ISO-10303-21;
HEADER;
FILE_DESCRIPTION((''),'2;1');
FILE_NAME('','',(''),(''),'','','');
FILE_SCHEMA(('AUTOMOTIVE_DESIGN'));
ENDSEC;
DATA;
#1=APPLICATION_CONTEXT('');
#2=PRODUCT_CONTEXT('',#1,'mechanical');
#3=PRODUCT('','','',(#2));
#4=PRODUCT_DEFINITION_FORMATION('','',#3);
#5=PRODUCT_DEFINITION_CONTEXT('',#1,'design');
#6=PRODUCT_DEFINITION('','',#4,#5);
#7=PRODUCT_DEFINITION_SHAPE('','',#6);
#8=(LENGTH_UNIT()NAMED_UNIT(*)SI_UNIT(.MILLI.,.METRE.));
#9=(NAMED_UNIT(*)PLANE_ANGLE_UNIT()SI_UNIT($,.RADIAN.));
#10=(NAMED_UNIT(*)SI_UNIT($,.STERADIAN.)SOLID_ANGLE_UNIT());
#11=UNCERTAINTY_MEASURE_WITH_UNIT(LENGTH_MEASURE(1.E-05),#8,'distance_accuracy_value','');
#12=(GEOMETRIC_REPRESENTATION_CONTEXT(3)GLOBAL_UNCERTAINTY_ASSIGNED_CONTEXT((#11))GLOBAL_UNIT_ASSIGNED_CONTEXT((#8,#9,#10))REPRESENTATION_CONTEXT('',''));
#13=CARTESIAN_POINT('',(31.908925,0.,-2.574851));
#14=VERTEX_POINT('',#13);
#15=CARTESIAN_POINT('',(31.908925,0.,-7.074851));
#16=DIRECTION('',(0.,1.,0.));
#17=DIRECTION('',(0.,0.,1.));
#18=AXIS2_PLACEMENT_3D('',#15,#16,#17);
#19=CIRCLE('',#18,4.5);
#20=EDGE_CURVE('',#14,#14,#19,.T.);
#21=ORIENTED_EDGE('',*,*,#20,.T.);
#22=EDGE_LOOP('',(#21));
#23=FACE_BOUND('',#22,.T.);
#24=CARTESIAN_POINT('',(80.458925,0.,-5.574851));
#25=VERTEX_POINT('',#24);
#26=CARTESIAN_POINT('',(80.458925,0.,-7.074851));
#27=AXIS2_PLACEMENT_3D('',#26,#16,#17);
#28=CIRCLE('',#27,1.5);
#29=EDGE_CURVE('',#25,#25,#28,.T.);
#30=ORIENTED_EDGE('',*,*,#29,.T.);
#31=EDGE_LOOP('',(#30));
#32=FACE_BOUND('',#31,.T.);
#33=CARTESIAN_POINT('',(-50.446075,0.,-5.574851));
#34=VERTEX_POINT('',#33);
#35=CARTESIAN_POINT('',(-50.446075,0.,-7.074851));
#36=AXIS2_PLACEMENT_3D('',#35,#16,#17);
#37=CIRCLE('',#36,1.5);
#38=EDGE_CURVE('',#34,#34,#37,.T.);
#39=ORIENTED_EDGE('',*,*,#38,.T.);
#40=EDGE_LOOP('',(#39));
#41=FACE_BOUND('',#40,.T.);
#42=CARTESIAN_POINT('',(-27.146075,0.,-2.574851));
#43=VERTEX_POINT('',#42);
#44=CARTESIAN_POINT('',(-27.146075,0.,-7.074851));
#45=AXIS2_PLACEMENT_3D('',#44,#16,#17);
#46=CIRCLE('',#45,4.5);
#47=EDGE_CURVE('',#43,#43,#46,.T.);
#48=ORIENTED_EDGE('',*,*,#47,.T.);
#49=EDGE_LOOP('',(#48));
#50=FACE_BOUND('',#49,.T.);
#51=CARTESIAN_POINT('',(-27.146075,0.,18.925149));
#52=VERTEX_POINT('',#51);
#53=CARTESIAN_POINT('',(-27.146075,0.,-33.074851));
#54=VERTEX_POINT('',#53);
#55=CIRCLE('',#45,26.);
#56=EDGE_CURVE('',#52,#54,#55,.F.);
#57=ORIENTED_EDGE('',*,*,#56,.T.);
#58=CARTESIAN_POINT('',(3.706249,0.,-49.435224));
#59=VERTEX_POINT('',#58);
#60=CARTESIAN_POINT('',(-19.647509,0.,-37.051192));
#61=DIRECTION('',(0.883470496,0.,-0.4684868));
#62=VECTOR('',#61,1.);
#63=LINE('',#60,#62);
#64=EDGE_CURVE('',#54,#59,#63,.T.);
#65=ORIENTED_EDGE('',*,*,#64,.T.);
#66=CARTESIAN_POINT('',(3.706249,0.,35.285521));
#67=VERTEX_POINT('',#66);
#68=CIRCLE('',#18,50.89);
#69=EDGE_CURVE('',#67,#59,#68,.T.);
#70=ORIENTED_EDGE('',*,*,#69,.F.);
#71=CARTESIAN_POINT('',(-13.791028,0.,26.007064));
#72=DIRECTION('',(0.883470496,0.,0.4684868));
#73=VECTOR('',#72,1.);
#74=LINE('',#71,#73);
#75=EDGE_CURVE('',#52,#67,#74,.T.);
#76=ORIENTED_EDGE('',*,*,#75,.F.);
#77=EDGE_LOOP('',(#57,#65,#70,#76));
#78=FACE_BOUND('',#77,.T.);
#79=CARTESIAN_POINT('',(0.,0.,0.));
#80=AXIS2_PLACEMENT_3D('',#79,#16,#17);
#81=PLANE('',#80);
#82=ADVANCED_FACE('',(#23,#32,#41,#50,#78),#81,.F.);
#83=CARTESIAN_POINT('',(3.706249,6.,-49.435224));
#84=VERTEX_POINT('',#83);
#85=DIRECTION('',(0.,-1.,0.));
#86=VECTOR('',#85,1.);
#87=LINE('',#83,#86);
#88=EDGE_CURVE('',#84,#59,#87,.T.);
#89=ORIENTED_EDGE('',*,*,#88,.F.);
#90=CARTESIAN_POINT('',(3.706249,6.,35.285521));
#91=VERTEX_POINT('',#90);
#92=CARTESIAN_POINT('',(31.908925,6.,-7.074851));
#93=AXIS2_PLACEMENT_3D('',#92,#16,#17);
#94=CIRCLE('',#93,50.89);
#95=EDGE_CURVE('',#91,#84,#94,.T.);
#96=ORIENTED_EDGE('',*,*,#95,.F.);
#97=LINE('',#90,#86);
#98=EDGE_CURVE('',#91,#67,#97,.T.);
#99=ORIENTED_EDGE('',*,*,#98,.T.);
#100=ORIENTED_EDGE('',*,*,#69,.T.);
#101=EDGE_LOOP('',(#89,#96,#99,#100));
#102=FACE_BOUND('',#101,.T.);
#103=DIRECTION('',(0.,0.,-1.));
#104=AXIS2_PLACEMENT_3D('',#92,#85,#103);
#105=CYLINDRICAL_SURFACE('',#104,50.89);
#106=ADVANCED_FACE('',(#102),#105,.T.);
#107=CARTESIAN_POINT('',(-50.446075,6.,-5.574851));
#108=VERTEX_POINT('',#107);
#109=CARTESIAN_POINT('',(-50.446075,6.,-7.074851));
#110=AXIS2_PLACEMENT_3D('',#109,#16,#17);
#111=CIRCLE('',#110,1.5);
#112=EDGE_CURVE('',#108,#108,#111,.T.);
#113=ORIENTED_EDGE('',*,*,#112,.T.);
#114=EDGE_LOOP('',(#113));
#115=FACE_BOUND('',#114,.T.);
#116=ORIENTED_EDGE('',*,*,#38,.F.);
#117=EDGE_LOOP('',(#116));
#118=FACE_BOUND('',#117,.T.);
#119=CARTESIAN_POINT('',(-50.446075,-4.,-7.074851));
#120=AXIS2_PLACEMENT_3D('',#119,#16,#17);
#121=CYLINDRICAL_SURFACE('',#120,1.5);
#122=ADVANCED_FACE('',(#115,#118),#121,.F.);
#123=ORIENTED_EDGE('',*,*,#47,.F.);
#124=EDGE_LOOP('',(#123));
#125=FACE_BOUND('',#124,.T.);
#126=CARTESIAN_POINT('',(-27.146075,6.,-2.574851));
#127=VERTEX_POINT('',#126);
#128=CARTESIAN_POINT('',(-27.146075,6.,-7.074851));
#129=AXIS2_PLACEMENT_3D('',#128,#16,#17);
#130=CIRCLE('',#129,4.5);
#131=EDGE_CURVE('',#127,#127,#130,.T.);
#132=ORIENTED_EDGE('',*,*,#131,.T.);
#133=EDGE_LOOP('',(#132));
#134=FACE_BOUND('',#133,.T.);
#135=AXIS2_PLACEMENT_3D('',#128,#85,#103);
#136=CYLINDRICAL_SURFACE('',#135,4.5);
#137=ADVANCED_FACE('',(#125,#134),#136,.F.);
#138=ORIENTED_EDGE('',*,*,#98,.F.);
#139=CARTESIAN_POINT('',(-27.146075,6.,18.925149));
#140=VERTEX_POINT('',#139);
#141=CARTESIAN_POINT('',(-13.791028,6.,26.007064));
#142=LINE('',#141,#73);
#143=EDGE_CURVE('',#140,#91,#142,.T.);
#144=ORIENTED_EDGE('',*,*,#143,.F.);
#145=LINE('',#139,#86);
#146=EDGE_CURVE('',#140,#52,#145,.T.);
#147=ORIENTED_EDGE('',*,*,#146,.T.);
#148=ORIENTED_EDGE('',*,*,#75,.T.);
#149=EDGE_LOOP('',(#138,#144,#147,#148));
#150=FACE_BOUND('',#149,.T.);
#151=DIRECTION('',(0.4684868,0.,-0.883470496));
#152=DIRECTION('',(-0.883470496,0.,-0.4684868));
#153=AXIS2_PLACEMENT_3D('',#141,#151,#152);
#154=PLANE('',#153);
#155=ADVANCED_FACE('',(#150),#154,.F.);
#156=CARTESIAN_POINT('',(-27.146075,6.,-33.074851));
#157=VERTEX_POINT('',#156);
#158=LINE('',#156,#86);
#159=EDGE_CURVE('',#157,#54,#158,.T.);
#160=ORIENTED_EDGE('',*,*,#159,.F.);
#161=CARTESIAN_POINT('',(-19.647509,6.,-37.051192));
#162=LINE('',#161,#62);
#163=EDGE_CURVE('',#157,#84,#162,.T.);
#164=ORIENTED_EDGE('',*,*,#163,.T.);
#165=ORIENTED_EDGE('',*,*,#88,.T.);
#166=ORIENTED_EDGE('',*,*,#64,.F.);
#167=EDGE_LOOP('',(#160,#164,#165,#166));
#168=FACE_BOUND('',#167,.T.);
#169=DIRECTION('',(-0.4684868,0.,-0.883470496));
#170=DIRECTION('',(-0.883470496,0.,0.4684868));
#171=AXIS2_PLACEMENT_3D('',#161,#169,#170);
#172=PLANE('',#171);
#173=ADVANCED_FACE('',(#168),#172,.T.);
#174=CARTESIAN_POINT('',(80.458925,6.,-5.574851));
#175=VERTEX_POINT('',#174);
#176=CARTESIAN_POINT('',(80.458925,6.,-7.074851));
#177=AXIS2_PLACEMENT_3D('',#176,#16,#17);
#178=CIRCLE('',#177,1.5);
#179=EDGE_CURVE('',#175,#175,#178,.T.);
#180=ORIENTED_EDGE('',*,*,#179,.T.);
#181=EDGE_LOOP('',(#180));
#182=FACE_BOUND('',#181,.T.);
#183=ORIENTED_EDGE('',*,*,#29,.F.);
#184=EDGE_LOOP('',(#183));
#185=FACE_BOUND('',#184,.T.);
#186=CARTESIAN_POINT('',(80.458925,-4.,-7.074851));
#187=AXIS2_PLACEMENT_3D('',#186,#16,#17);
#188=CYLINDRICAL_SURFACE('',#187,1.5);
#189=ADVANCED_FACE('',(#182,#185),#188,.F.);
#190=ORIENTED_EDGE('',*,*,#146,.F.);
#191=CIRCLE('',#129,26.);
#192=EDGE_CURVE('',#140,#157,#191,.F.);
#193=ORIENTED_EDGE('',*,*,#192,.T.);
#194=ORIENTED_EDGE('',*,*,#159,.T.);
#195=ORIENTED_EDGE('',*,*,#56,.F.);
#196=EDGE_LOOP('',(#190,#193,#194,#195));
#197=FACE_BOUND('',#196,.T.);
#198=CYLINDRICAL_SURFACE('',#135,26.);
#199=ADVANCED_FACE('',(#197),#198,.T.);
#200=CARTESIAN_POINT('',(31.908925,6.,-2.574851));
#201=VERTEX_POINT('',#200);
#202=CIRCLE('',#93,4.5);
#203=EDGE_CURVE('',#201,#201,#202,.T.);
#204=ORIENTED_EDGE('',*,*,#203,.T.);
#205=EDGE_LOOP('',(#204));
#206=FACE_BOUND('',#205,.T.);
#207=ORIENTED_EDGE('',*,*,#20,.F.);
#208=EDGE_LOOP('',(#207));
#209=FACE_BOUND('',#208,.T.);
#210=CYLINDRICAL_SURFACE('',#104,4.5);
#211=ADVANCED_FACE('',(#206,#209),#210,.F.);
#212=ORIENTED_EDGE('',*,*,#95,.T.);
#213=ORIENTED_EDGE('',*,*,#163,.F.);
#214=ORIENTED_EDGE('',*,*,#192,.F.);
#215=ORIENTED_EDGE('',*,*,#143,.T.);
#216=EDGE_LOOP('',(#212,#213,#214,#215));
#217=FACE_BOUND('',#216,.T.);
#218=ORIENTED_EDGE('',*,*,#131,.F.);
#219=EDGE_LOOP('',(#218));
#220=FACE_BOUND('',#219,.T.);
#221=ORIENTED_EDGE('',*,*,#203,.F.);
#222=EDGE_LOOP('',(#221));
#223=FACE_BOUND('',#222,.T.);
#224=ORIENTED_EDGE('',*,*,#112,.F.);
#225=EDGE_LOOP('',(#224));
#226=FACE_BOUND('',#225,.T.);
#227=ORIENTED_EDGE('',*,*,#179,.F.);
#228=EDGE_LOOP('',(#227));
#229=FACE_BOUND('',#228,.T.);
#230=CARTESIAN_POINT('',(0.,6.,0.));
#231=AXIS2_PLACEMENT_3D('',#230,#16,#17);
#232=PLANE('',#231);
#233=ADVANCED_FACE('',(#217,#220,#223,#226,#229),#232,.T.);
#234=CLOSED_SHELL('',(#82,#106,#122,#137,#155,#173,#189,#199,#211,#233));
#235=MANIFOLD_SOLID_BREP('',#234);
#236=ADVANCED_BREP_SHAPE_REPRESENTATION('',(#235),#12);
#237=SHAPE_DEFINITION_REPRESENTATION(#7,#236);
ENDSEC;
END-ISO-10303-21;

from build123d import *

# Parameters (mm, degrees)
SKETCH1_R           = 4.5
SKETCH1_R_2         = 44.53
BOSS_EXTRUDE1_DEPTH = 6
SKETCH2_R           = 1.5
CUT_EXTRUDE1_DEPTH  = 10


with BuildPart() as part:
    # Sketch1 → Boss-Extrude1 (new body)
    # profile 1 of 7: a face of its own
    with BuildSketch(Plane(origin=(0, 0, 0), x_dir=(1, 0, 0), z_dir=(0, 1, 0))):
        with BuildLine():
            Line((3.706249193, 49.435224426), (-27.146075319, 33.07485149))
            ThreePointArc((-27.146075319, 33.07485149), (-53.146075319, 7.07485149), (-27.146075319, -18.92514851))
            Line((-27.146075319, -18.92514851), (3.706249193, -35.285521446))
            ThreePointArc((3.706249193, -35.285521446), (-4.027102695, -28.958383674), (-10.375107984, -21.242151909))
            Line((-10.375107984, -21.242151909), (-27.146075319, -13.92514851))
            ThreePointArc((-27.146075319, -13.92514851), (-48.146075319, 7.07485149), (-27.146075319, 28.07485149))
            Line((-27.146075319, 28.07485149), (-9.910194417, 36.074047649))
            ThreePointArc((-9.910194417, 36.074047649), (-3.73365085, 43.398382562), (3.706249193, 49.435224426))
        make_face()
    # profile 2 of 7: a face of its own
    with BuildSketch(Plane(origin=(0, 0, 0), x_dir=(1, 0, 0), z_dir=(0, 1, 0))):
        with BuildLine():
            ThreePointArc((-10.375107984, -21.242151909), (-18.97940126, 7.487626122), (-9.910194417, 36.074047649))
            Line((-9.910194417, 36.074047649), (-27.146075319, 28.07485149))
            ThreePointArc((-27.146075319, 28.07485149), (-48.146075319, 7.07485149), (-27.146075319, -13.92514851))
            Line((-27.146075319, -13.92514851), (-10.375107984, -21.242151909))
        make_face()
        with Locations(Location((-27.146075319, 7.07485149, 0), (0, 0, 270))):
            Circle(SKETCH1_R, mode=Mode.SUBTRACT)
    # profile 3 of 7: a face of its own
    with BuildSketch(Plane(origin=(0, 0, 0), x_dir=(1, 0, 0), z_dir=(0, 1, 0))):
        with BuildLine():
            ThreePointArc((82.798924681, 7.07485149), (55.935555161, 51.935893919), (3.706249193, 49.435224426))
            ThreePointArc((3.706249193, 49.435224426), (-3.73365085, 43.398382562), (-9.910194417, 36.074047649))
            Line((-9.910194417, 36.074047649), (6.70287652, 43.784196842))
            ThreePointArc((6.70287652, 43.784196842), (52.651339866, 46.478824796), (76.438924681, 7.07485149))
            ThreePointArc((76.438924681, 7.07485149), (50.975331795, -33.166831126), (3.706249193, -27.385705604))
            Line((3.706249193, -27.385705604), (-10.375107984, -21.242151909))
            ThreePointArc((-10.375107984, -21.242151909), (-4.027102695, -28.958383674), (3.706249193, -35.285521446))
            ThreePointArc((3.706249193, -35.285521446), (55.935555161, -37.786190939), (82.798924681, 7.07485149))
        make_face()
    # profile 4 of 7: a face of its own
    with BuildSketch(Plane(origin=(0, 0, 0), x_dir=(1, 0, 0), z_dir=(0, 1, 0))):
        with BuildLine():
            Line((6.70287652, 43.784196842), (-9.910194417, 36.074047649))
            ThreePointArc((-9.910194417, 36.074047649), (-18.97940126, 7.487626122), (-10.375107984, -21.242151909))
            Line((-10.375107984, -21.242151909), (3.706249193, -27.385705604))
            ThreePointArc((3.706249193, -27.385705604), (-12.581655153, 8.948138973), (6.70287652, 43.784196842))
        make_face()
    # profile 5 of 7: a face of its own
    with BuildSketch(Plane(origin=(0, 0, 0), x_dir=(1, 0, 0), z_dir=(0, 1, 0))):
        with BuildLine():
            ThreePointArc((82.798924681, 7.07485149), (55.935555161, 51.935893919), (3.706249193, 49.435224426))
            ThreePointArc((3.706249193, 49.435224426), (-3.73365085, 43.398382562), (-9.910194417, 36.074047649))
            Line((-9.910194417, 36.074047649), (6.70287652, 43.784196842))
            ThreePointArc((6.70287652, 43.784196842), (52.651339866, 46.478824796), (76.438924681, 7.07485149))
            ThreePointArc((76.438924681, 7.07485149), (50.975331795, -33.166831126), (3.706249193, -27.385705604))
            Line((3.706249193, -27.385705604), (-10.375107984, -21.242151909))
            ThreePointArc((-10.375107984, -21.242151909), (-4.027102695, -28.958383674), (3.706249193, -35.285521446))
            ThreePointArc((3.706249193, -35.285521446), (55.935555161, -37.786190939), (82.798924681, 7.07485149))
        make_face()
    # profile 6 of 7: a face of its own
    with BuildSketch(Plane(origin=(0, 0, 0), x_dir=(1, 0, 0), z_dir=(0, 1, 0))):
        with BuildLine():
            Line((6.70287652, 43.784196842), (-9.910194417, 36.074047649))
            ThreePointArc((-9.910194417, 36.074047649), (-18.97940126, 7.487626122), (-10.375107984, -21.242151909))
            Line((-10.375107984, -21.242151909), (3.706249193, -27.385705604))
            ThreePointArc((3.706249193, -27.385705604), (-12.581655153, 8.948138973), (6.70287652, 43.784196842))
        make_face()
    # profile 7 of 7: a face of its own
    with BuildSketch(Plane(origin=(0, 0, 0), x_dir=(1, 0, 0), z_dir=(0, 1, 0))):
        with Locations((31.908924681, 7.07485149)):
            Circle(SKETCH1_R_2)
        with Locations(Location((31.908924681, 7.07485149, 0), (0, 0, 270))):
            Circle(SKETCH1_R, mode=Mode.SUBTRACT)
    extrude(amount=BOSS_EXTRUDE1_DEPTH)

    # Sketch2 → Cut-Extrude1 (cut)
    with BuildSketch(Plane(origin=(0, 6, 0), x_dir=(1, 0, 0), z_dir=(0, 1, 0))):
        with Locations(Location((-50.446075319, 7.07485149, 0), (0, 0, 270))):
            Circle(SKETCH2_R)
        with Locations(Location((80.458924681, 7.07485149, 0), (0, 0, 270))):
            Circle(SKETCH2_R)
    extrude(amount=-CUT_EXTRUDE1_DEPTH, mode=Mode.SUBTRACT)


solid = part.part
